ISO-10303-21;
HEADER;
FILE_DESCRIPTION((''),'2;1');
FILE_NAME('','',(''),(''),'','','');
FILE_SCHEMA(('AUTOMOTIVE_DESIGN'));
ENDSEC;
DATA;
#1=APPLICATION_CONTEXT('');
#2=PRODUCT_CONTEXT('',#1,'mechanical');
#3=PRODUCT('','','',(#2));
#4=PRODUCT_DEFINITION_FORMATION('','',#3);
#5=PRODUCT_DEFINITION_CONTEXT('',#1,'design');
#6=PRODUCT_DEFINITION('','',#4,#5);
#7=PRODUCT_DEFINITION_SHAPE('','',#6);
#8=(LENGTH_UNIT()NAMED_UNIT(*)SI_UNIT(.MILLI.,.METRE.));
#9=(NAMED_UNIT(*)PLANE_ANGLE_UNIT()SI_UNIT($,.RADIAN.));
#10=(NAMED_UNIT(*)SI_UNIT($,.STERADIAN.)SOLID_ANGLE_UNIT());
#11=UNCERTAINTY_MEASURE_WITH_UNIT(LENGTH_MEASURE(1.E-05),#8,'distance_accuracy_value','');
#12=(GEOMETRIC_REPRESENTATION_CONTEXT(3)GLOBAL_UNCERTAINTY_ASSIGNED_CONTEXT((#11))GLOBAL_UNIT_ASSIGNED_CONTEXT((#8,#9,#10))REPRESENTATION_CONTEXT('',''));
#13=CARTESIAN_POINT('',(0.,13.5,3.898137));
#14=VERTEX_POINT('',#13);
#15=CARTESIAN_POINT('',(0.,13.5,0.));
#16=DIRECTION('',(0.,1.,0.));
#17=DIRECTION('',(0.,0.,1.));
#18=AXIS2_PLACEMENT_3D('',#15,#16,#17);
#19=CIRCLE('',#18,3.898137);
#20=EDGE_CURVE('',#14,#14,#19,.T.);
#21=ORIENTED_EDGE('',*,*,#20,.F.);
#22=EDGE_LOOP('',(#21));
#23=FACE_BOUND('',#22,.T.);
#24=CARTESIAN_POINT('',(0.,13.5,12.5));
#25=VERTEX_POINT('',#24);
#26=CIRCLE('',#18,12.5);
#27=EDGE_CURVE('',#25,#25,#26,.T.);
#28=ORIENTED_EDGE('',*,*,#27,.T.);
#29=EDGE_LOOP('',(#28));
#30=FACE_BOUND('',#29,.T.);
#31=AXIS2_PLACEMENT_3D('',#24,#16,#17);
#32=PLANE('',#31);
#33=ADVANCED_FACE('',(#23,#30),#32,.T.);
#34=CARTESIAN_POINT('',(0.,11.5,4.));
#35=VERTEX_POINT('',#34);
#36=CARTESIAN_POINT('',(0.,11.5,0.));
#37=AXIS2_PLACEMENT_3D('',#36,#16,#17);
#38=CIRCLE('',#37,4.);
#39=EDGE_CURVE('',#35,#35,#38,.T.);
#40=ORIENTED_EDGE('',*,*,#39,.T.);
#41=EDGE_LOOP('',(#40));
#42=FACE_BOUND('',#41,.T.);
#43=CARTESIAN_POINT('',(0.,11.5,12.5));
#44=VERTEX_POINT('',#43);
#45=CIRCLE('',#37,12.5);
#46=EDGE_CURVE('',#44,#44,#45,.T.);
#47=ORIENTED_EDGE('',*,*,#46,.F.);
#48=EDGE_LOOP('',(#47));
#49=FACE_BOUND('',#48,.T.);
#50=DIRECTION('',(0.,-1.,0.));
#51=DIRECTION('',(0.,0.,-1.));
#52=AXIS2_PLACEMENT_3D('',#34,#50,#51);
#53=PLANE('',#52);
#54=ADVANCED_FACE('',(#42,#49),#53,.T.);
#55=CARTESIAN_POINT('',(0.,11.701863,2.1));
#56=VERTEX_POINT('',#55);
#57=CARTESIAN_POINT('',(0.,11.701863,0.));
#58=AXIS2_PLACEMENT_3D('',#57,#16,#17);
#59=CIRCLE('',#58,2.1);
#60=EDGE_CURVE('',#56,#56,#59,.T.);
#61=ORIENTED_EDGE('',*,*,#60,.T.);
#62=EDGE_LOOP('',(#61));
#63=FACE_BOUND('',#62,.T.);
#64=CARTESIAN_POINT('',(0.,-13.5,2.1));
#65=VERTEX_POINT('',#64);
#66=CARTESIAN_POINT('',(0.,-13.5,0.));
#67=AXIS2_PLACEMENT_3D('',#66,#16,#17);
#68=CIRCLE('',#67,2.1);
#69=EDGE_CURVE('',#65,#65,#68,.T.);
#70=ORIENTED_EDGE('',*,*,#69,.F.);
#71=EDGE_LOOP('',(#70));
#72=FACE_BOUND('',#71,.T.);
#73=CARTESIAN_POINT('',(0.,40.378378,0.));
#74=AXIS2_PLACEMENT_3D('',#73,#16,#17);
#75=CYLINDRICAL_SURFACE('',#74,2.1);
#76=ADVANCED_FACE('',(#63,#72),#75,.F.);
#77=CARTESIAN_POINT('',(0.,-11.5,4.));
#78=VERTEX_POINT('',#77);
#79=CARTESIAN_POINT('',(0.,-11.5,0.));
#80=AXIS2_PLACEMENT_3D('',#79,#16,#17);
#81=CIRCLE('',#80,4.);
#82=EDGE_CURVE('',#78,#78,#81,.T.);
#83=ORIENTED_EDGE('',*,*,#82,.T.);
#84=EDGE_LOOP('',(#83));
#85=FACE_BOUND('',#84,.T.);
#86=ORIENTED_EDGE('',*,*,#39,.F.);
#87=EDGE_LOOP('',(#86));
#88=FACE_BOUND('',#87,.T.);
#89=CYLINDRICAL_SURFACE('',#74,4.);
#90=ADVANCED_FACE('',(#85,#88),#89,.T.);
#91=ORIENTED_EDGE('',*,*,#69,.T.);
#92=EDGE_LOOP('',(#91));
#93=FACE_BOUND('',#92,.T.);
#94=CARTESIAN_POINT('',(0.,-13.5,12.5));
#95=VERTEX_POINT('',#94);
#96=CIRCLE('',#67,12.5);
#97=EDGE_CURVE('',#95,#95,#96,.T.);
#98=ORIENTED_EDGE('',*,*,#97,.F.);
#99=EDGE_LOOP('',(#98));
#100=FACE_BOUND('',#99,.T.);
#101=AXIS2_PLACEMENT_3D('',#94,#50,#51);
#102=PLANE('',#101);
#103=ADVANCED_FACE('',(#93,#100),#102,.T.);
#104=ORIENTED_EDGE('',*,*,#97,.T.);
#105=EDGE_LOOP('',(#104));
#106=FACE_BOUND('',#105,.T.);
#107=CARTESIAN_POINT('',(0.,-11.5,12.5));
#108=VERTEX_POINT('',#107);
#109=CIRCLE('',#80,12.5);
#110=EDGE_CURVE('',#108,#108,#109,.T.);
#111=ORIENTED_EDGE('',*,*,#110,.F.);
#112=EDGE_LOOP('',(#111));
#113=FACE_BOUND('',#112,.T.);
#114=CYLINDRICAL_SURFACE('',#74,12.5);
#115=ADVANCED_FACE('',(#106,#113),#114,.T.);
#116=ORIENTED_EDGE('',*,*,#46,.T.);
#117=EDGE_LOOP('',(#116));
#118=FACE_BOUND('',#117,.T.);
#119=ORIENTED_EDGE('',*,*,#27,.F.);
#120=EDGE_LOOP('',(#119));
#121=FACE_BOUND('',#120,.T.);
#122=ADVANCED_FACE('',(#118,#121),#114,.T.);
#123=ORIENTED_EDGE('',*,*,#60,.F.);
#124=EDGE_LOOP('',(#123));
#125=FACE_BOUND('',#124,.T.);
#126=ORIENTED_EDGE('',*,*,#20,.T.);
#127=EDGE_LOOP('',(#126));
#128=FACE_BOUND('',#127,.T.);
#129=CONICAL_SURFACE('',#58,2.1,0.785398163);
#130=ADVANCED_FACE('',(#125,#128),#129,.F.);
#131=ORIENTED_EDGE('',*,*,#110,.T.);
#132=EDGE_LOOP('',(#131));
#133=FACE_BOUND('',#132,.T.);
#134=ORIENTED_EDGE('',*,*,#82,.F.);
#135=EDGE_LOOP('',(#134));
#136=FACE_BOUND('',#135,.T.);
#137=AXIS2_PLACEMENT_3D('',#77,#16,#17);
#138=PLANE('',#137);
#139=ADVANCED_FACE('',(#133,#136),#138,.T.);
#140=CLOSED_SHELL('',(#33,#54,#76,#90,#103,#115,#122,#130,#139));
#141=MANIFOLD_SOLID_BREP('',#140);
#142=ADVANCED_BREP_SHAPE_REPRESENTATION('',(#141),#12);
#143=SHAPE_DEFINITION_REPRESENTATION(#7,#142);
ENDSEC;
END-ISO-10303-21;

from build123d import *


with BuildPart() as part:
    # Sketch1 → Revolve1 (revolve)
    with BuildSketch(Plane(origin=(0, 0, 0), x_dir=(0, 0, -1), z_dir=(1, 0, 0))):
        Polygon((-4, 11.5), (-4, -11.5), (-12.5, -11.5), (-12.5, -13.5), (-2.1, -13.5), (-2.1, 11.701863459), (-3.898136541, 13.5), (-12.5, 13.5), (-12.5, 11.5), align=None)
    revolve(axis=Axis((0, 40.378378378, 0), (0, -1, 0)))


solid = part.part
